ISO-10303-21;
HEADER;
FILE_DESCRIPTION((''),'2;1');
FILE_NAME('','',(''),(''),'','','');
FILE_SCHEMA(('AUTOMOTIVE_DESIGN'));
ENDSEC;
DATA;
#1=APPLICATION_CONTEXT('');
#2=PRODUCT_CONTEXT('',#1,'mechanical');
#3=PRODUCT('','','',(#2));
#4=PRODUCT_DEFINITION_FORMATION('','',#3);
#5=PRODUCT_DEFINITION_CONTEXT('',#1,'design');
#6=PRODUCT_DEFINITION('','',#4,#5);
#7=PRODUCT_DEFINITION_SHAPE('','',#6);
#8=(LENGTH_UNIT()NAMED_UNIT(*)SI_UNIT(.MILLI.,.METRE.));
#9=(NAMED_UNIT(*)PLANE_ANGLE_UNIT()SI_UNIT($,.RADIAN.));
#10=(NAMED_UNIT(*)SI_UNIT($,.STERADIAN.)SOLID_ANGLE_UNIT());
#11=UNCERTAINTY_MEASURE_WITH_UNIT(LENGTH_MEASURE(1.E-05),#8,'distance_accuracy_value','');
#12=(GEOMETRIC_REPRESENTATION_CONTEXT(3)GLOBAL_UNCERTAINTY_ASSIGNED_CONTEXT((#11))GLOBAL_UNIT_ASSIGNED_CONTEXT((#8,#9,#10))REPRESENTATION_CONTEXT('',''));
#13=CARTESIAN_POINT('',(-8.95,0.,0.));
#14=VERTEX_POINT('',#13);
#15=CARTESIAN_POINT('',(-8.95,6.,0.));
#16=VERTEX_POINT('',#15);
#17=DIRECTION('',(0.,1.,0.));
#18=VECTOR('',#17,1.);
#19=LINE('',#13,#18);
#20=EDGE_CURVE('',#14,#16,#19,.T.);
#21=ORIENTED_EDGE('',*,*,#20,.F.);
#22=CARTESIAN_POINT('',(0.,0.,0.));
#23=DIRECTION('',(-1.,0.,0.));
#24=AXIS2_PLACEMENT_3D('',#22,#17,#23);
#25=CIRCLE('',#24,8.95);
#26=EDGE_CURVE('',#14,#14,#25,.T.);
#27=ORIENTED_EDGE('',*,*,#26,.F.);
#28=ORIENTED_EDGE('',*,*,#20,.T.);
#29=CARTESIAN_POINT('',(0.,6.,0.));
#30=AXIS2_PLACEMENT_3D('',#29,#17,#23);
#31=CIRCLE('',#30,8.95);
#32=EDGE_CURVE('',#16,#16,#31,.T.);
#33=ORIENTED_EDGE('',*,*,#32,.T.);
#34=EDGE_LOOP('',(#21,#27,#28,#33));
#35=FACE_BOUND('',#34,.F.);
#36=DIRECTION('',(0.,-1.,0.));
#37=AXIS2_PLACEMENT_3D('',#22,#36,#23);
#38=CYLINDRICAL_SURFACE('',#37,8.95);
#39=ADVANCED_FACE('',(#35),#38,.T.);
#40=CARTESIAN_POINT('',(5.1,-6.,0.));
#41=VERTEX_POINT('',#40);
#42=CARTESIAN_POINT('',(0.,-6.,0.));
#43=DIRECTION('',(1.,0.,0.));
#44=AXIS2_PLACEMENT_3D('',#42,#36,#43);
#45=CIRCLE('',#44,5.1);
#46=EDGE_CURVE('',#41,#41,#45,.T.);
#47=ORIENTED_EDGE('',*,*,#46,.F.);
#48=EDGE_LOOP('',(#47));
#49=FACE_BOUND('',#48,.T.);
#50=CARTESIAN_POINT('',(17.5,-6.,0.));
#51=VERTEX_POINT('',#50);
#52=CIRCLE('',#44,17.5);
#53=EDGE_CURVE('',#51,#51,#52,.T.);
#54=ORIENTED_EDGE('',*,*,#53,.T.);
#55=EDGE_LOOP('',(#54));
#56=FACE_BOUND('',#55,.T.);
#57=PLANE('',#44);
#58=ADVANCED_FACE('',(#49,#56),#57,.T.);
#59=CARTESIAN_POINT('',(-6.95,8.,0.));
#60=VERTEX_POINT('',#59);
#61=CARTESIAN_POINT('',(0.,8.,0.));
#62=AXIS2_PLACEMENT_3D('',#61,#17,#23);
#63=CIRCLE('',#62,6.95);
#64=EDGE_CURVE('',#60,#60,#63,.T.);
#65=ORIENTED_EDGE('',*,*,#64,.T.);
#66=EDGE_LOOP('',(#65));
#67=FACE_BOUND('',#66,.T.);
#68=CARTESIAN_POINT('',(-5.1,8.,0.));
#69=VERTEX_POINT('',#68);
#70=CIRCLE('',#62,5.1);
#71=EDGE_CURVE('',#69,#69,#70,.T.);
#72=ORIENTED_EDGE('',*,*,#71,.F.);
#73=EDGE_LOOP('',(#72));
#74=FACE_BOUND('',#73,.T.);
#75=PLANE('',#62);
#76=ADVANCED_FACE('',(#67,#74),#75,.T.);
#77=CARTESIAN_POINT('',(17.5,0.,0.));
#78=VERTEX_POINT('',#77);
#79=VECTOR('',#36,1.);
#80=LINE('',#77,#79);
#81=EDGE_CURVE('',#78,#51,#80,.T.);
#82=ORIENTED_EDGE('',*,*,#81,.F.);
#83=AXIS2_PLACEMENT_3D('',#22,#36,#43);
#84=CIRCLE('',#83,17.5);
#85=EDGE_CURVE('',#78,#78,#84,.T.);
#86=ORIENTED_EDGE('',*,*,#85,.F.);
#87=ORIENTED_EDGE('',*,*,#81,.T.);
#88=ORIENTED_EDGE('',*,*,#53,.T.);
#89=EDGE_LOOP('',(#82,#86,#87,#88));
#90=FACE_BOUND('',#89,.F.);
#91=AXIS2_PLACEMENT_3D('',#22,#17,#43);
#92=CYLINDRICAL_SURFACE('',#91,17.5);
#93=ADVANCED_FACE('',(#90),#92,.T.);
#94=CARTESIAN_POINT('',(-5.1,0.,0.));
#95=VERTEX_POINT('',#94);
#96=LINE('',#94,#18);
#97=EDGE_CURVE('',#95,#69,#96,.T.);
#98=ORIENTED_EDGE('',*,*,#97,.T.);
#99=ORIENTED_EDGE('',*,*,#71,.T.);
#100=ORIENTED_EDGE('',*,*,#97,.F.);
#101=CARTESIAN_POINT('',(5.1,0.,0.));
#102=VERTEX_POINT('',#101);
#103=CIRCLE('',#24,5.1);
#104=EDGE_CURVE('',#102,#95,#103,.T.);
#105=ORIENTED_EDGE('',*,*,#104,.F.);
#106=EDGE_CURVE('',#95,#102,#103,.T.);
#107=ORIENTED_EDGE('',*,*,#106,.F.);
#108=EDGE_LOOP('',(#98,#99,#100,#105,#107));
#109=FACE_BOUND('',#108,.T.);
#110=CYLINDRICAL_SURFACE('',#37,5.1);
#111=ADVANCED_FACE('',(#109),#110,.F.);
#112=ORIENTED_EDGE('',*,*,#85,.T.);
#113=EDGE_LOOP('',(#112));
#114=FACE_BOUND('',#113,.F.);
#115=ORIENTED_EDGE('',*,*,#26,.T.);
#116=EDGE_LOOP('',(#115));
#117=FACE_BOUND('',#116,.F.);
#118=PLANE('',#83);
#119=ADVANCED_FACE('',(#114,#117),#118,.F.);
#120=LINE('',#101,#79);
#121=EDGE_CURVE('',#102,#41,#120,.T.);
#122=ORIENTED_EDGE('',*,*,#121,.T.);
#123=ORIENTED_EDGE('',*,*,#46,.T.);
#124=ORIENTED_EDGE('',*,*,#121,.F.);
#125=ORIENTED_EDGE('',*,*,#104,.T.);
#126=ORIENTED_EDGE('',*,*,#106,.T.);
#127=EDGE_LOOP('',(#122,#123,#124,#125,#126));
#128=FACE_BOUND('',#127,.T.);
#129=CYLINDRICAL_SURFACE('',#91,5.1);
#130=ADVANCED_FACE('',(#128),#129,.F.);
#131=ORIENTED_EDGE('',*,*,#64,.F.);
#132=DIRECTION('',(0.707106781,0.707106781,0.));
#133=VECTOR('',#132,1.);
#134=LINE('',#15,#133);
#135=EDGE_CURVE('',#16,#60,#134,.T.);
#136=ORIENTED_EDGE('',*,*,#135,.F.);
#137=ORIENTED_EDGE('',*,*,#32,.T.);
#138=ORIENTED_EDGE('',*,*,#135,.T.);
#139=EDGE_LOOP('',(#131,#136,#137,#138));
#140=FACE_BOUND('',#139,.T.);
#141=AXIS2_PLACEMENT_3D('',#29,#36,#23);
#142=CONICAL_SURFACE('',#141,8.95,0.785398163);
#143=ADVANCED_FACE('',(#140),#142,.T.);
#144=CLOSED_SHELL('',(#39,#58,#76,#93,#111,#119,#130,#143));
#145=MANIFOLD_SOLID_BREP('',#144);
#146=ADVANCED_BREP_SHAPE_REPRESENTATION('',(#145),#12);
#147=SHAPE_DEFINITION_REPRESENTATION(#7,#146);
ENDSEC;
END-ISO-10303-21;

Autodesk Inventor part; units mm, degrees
ref_plane "YZ Plane" through (0, 0, 0) normal (1, 0, 0) x (0, 1, 0)
ref_plane "XZ Plane" through (0, 0, 0) normal (0, 1, 0) x (-1, 0, 0)
ref_plane "XY Plane" through (0, 0, 0) normal (0, 0, 1) x (1, 0, 0)
sketch "Sketch1" plane through (0, 0, 0) normal (0, 1, 0) x (-1, 0, 0)
  circle A0 centre (0, 0) radius 5.1
  circle A1 centre (0, 0) radius 8.95
  dimension "d0" = 10.2
  dimension "d1" = 17.9
extrude "Extrusion1" add sketch "Sketch1" along normal blind 8
chamfer "Chamfer1" distance 2 angle 45 1 edges at (8.95, 8, 0)
sketch "Sketch2" plane through (0, 0, 0) normal (0, -1, 0) x (1, 0, 0)
  circle A0 centre (0, 0) radius 8.95 projected
  circle A1 centre (0, 0) radius 5.1 projected
  circle A2 centre (0, 0) radius 17.5
  dimension "d7" = 35
extrude "Extrusion2" add sketch "Sketch2" along normal blind 6 contours A0 | A2
properties part number "Indre_bøsning_Stempel_stang_3DPrint"
